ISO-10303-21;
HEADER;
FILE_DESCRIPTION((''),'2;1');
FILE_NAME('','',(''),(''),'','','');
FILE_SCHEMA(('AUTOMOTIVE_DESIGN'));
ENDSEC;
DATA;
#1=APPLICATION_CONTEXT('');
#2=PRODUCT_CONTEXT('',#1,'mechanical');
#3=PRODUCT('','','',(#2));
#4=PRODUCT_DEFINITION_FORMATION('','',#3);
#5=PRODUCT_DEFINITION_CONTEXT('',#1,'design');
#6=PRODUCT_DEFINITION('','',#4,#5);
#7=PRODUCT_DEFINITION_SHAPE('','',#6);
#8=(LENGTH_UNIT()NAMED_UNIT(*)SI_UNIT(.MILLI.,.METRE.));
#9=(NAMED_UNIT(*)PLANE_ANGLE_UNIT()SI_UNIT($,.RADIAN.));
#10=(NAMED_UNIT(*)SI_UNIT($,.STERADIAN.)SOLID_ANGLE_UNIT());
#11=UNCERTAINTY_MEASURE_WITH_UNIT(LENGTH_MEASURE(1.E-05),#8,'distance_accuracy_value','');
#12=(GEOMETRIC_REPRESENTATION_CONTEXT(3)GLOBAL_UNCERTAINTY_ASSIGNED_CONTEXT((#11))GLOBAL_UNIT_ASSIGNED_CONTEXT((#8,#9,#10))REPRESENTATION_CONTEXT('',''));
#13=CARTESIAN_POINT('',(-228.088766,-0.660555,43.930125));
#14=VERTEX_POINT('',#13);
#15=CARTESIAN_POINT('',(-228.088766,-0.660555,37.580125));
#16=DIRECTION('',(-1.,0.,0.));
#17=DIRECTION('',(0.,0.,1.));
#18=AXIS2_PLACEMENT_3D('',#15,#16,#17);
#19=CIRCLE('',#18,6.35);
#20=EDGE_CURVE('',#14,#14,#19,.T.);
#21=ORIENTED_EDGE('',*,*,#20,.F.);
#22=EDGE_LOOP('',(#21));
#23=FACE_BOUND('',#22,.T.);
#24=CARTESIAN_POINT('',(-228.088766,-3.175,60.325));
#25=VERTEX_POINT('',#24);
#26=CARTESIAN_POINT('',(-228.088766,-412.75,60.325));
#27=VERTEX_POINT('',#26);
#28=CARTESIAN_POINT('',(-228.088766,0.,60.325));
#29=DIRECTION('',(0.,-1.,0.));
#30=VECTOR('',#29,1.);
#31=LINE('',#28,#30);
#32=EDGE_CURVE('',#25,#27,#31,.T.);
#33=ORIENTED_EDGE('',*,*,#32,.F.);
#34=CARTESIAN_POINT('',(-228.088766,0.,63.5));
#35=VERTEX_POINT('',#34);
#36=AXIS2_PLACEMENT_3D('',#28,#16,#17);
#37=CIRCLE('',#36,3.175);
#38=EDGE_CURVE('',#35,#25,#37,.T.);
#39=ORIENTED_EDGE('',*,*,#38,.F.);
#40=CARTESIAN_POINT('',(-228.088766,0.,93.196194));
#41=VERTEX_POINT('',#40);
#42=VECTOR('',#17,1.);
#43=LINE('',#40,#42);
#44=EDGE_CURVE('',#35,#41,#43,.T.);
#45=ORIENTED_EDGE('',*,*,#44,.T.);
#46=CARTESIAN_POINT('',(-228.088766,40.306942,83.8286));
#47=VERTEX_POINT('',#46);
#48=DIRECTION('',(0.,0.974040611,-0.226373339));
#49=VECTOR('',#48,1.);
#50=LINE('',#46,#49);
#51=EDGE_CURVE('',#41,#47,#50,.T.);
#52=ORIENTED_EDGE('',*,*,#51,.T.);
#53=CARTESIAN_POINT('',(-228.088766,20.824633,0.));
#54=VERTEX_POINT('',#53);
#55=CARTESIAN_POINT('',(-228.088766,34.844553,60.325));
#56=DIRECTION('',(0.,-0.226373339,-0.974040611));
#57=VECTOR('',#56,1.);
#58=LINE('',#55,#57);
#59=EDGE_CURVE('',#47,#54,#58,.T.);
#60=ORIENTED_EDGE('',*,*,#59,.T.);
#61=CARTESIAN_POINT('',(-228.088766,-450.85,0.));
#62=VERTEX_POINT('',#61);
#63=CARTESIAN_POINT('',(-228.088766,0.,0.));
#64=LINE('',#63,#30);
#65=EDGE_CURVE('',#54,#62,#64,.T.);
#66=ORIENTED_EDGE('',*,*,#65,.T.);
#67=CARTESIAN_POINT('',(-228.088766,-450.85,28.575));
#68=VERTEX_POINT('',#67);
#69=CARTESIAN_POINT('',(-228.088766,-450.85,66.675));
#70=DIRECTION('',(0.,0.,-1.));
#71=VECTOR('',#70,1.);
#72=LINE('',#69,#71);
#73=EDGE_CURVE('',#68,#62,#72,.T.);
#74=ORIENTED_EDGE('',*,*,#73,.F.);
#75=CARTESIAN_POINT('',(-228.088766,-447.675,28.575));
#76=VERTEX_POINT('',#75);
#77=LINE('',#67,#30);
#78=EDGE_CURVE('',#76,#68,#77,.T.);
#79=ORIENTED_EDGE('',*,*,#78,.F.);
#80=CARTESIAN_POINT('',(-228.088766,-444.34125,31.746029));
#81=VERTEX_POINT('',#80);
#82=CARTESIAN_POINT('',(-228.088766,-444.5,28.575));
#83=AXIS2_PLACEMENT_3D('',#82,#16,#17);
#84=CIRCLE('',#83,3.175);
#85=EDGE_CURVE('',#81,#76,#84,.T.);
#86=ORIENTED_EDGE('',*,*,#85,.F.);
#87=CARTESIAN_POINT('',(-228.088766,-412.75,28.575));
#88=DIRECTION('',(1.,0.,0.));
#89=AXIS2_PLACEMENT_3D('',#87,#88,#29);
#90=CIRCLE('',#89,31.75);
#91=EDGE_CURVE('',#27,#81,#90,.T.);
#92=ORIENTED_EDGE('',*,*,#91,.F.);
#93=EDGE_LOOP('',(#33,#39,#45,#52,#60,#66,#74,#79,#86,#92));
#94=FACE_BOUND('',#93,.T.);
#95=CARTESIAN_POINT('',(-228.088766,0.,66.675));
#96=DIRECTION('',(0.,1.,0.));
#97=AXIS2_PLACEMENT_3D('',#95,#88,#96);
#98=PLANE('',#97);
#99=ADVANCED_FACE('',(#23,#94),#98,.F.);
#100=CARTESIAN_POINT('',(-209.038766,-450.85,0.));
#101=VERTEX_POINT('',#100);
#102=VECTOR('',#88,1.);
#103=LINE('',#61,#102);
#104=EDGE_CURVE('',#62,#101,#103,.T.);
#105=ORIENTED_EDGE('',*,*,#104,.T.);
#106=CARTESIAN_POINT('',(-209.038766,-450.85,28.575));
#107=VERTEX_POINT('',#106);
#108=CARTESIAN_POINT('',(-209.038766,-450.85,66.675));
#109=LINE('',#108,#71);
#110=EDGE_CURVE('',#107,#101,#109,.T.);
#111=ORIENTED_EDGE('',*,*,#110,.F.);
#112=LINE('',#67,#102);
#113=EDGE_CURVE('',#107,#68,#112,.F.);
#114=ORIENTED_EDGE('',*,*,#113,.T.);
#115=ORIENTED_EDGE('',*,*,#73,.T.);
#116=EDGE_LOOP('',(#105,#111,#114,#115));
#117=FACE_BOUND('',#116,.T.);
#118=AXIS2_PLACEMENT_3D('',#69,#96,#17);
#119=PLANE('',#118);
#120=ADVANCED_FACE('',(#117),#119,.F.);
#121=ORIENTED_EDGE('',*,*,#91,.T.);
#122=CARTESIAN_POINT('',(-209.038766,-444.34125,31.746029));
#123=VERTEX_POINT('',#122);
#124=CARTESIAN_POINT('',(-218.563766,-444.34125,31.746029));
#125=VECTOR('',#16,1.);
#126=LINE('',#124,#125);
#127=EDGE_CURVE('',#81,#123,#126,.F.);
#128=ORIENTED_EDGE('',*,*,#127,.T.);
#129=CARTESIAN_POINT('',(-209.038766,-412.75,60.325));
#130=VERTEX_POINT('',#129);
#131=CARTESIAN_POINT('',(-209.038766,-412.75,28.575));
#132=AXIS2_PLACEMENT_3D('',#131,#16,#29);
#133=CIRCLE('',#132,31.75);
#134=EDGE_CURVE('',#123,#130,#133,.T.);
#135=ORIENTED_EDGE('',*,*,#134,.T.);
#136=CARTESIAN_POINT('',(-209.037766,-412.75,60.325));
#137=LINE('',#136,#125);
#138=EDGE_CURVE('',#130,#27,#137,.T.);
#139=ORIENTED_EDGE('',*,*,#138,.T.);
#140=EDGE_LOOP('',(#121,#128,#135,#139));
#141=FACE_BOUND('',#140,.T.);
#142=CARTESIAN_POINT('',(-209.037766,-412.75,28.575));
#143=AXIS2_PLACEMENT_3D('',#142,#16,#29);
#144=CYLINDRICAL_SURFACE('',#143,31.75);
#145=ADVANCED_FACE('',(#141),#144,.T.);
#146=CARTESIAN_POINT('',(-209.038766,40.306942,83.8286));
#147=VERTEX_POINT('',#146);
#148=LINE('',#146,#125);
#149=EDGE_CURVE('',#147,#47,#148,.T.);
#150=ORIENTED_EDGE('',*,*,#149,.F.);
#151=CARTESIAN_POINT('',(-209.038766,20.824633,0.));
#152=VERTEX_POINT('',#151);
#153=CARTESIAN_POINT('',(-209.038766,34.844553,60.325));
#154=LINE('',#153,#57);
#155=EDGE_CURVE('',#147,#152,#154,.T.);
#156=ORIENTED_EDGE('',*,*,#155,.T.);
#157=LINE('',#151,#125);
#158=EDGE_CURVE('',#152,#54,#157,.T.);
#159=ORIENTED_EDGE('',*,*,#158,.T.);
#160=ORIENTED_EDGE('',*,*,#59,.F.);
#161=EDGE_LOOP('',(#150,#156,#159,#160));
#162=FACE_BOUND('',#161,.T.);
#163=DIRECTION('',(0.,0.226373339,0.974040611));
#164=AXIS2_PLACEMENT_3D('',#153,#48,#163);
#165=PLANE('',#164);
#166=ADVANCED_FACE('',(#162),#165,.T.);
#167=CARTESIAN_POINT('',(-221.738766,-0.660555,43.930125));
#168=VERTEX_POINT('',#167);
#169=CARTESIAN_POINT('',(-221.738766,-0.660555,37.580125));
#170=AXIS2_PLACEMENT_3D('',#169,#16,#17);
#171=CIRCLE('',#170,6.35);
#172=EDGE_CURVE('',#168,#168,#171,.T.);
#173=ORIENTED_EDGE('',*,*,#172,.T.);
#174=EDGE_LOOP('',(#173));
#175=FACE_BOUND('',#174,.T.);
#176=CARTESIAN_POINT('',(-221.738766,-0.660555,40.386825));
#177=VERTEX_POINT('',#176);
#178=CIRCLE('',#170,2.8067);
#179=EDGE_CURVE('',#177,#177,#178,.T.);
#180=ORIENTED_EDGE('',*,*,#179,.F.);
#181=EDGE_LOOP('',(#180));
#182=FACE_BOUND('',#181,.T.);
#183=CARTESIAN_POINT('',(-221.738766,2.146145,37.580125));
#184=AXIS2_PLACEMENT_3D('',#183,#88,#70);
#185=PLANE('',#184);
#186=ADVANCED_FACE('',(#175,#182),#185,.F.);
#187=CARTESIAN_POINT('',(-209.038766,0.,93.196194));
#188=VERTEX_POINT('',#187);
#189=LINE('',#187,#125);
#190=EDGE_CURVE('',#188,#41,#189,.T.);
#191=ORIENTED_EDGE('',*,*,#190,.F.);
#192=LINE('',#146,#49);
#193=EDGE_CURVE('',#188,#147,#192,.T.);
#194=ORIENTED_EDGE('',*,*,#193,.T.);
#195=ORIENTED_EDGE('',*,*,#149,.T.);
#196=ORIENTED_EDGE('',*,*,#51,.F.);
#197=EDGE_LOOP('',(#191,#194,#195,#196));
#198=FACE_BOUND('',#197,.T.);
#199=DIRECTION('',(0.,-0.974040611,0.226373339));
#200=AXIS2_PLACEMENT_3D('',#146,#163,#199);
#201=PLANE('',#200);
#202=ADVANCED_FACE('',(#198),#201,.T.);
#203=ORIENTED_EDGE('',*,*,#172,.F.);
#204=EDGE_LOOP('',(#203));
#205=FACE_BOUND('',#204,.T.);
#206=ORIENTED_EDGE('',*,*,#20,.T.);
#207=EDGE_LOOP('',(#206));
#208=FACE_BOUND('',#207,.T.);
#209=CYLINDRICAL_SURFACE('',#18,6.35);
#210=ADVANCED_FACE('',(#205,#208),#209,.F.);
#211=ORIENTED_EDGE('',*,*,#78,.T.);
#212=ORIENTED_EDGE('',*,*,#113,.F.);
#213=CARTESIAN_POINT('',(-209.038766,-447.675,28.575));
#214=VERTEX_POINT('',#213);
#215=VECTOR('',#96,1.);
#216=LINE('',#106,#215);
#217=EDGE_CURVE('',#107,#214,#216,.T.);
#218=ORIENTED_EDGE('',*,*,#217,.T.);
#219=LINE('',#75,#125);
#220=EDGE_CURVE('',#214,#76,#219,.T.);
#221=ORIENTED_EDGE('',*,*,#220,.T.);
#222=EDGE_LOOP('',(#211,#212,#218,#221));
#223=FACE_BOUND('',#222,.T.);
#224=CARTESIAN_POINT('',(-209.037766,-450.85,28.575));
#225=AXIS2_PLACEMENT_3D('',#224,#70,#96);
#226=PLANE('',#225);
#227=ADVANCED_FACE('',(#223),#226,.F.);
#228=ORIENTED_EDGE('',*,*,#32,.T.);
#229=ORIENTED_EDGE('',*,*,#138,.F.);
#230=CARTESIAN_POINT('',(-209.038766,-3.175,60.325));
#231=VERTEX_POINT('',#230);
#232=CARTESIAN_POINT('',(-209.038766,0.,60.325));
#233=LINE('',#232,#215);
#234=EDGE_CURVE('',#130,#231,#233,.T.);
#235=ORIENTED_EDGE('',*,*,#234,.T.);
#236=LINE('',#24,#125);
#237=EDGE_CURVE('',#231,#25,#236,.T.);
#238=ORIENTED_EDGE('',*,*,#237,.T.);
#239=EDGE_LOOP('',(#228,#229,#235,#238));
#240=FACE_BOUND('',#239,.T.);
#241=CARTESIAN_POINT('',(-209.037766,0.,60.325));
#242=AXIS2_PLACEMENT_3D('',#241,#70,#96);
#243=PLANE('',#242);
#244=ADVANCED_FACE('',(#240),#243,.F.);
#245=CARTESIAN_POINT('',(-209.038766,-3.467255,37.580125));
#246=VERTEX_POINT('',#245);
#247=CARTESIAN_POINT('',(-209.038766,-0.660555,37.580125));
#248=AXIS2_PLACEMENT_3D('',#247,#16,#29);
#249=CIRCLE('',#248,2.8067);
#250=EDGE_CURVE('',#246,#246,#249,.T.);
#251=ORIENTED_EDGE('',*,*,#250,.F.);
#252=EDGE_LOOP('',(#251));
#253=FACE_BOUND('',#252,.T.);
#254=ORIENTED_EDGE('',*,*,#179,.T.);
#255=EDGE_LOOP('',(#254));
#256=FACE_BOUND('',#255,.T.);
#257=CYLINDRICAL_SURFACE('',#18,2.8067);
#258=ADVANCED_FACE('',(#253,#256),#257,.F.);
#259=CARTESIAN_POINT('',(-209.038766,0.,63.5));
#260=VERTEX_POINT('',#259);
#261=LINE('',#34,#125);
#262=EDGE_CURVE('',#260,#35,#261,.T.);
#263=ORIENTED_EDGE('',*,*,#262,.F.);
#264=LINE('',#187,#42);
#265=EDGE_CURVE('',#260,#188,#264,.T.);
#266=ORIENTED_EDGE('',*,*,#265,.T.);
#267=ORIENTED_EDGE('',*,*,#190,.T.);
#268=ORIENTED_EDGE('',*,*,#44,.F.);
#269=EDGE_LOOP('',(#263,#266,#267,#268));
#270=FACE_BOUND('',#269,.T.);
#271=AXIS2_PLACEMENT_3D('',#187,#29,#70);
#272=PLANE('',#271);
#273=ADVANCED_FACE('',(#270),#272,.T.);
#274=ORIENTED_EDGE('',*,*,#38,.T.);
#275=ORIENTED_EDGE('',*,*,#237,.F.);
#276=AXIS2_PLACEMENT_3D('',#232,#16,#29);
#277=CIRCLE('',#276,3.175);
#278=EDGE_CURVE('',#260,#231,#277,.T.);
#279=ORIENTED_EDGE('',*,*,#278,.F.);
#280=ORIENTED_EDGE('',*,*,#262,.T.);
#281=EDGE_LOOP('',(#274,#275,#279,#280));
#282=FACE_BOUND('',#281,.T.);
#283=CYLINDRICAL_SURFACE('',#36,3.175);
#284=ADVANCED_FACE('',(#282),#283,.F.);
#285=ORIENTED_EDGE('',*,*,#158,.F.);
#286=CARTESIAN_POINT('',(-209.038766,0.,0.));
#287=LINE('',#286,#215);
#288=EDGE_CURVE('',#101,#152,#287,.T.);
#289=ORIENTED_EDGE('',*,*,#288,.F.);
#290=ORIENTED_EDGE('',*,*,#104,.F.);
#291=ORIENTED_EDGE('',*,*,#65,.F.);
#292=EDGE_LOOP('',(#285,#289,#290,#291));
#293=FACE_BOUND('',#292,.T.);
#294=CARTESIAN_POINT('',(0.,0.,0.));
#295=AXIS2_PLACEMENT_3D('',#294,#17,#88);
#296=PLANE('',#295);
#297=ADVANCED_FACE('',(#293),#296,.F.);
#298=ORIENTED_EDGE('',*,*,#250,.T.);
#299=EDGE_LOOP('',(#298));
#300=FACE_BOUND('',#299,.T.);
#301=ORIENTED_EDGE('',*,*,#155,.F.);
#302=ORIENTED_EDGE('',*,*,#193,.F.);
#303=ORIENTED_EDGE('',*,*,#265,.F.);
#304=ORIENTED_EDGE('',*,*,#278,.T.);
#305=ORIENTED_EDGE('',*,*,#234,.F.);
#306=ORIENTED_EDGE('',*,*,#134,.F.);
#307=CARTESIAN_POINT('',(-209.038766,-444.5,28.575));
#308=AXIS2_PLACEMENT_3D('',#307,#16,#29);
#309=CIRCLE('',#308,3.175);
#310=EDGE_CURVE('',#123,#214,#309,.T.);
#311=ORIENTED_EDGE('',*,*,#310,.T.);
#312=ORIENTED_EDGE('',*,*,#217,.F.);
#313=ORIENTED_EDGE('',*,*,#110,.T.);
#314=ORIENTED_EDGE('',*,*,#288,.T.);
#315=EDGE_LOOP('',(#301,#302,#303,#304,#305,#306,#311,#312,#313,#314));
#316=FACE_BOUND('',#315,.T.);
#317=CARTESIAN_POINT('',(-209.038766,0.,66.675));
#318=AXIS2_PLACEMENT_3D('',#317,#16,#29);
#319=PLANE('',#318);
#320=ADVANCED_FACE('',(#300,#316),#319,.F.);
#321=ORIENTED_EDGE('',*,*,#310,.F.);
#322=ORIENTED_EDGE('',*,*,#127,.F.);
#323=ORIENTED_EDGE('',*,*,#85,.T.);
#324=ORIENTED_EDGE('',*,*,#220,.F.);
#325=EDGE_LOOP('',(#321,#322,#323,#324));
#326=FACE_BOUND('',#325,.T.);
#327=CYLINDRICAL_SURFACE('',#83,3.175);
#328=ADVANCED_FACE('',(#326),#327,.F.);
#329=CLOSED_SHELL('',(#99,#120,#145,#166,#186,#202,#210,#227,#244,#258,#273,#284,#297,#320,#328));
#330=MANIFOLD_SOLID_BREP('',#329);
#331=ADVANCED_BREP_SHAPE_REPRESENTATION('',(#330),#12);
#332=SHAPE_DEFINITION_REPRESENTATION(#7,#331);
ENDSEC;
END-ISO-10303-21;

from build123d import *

# Parameters (mm, degrees)
SKETCH1_W                                        = 19.05
SKETCH1_H                                        = 450.85
BOSS_EXTRUDE1_DEPTH                              = 66.675
FILLET4_R                                        = 38.1
CUT_EXTRUDE1_REACH                               = 458.151
BOSS_EXTRUDE2_DEPTH                              = 19.05
BOSS_EXTRUDE3_DEPTH                              = 19.05
F_1_4_0_25_DIAMETER_HOLE1_D                      = 6.35
F_10_CLEARANCE_HOLE_WITH_1_0_X_25_CB_D           = 5.6134
F_10_CLEARANCE_HOLE_WITH_1_0_X_25_CB_CBORE_D     = 12.7
F_10_CLEARANCE_HOLE_WITH_1_0_X_25_CB_CBORE_DEPTH = 6.35


with BuildPart() as part:
    # Sketch1 → Boss-Extrude1 (new body)
    with BuildSketch(Plane.XY):
        with Locations((-218.563766336, -225.425)):
            Rectangle(SKETCH1_W, SKETCH1_H)
    extrude(amount=BOSS_EXTRUDE1_DEPTH)

    # Fillet4
    fillet4_edges = [part.edges().sort_by_distance(p)[0] for p in [
        (-218.563766336, -450.85, 66.675),
    ]]
    fillet(fillet4_edges, radius=FILLET4_R)

    # Sketch4 → Cut-Extrude1 (cut, up to next)
    with BuildSketch(Plane.ZY.offset(228.088766336), mode=Mode.PRIVATE) as cut_extrude1_sk1:
        with BuildLine():
            Line((66.675, 0), (66.675, -412.75))
            ThreePointArc((66.675, -412.75), (55.515768363, -439.690768363), (28.575, -450.85))
            Line((28.575, -450.85), (28.575, -444.5))
            ThreePointArc((28.575, -444.5), (51.025640303, -435.200640303), (60.325, -412.75))
            Line((60.325, -412.75), (60.325, 0))
            Line((60.325, 0), (66.675, 0))
        make_face()
    cut_extrude1_tool1 = extrude(cut_extrude1_sk1.sketch, amount=-CUT_EXTRUDE1_REACH, mode=Mode.PRIVATE) & part.part
    add(cut_extrude1_tool1.solids().sort_by_distance((-228.088766, -233.202612, 62.01827))[0], mode=Mode.SUBTRACT)

    # Sketch7 → Boss-Extrude2 (add, through all)
    with BuildSketch(Plane.ZY.offset(228.088766336)):
        Polygon((0, 0), (60.325, 0), (60.325, 34.844553242), (0, 20.824633003), align=None)
    extrude(amount=-BOSS_EXTRUDE2_DEPTH)

    # Sketch8 → Boss-Extrude3 (add, through all)
    with BuildSketch(Plane.ZY.offset(228.088766336)):
        Polygon((60.325, 34.844553242), (83.828599938, 40.306941911), (93.196193981, 0), (60.325, 0), align=None)
    extrude(amount=-BOSS_EXTRUDE3_DEPTH)

    # 1/4 (0.25) Diameter Hole1 (through all)
    with Locations(Plane.ZY.offset(228.088766336)):
        with Locations((28.575, -444.5), (60.325, 0)):
            Hole(F_1_4_0_25_DIAMETER_HOLE1_D / 2)

    # #10 Clearance Hole with 1.0 x .25 CB (through all)
    with Locations(Plane.ZY.offset(228.088766336)):
        with Locations((37.58012522, -0.660555349)):
            CounterBoreHole(F_10_CLEARANCE_HOLE_WITH_1_0_X_25_CB_D / 2, F_10_CLEARANCE_HOLE_WITH_1_0_X_25_CB_CBORE_D / 2, F_10_CLEARANCE_HOLE_WITH_1_0_X_25_CB_CBORE_DEPTH)


solid = part.part
